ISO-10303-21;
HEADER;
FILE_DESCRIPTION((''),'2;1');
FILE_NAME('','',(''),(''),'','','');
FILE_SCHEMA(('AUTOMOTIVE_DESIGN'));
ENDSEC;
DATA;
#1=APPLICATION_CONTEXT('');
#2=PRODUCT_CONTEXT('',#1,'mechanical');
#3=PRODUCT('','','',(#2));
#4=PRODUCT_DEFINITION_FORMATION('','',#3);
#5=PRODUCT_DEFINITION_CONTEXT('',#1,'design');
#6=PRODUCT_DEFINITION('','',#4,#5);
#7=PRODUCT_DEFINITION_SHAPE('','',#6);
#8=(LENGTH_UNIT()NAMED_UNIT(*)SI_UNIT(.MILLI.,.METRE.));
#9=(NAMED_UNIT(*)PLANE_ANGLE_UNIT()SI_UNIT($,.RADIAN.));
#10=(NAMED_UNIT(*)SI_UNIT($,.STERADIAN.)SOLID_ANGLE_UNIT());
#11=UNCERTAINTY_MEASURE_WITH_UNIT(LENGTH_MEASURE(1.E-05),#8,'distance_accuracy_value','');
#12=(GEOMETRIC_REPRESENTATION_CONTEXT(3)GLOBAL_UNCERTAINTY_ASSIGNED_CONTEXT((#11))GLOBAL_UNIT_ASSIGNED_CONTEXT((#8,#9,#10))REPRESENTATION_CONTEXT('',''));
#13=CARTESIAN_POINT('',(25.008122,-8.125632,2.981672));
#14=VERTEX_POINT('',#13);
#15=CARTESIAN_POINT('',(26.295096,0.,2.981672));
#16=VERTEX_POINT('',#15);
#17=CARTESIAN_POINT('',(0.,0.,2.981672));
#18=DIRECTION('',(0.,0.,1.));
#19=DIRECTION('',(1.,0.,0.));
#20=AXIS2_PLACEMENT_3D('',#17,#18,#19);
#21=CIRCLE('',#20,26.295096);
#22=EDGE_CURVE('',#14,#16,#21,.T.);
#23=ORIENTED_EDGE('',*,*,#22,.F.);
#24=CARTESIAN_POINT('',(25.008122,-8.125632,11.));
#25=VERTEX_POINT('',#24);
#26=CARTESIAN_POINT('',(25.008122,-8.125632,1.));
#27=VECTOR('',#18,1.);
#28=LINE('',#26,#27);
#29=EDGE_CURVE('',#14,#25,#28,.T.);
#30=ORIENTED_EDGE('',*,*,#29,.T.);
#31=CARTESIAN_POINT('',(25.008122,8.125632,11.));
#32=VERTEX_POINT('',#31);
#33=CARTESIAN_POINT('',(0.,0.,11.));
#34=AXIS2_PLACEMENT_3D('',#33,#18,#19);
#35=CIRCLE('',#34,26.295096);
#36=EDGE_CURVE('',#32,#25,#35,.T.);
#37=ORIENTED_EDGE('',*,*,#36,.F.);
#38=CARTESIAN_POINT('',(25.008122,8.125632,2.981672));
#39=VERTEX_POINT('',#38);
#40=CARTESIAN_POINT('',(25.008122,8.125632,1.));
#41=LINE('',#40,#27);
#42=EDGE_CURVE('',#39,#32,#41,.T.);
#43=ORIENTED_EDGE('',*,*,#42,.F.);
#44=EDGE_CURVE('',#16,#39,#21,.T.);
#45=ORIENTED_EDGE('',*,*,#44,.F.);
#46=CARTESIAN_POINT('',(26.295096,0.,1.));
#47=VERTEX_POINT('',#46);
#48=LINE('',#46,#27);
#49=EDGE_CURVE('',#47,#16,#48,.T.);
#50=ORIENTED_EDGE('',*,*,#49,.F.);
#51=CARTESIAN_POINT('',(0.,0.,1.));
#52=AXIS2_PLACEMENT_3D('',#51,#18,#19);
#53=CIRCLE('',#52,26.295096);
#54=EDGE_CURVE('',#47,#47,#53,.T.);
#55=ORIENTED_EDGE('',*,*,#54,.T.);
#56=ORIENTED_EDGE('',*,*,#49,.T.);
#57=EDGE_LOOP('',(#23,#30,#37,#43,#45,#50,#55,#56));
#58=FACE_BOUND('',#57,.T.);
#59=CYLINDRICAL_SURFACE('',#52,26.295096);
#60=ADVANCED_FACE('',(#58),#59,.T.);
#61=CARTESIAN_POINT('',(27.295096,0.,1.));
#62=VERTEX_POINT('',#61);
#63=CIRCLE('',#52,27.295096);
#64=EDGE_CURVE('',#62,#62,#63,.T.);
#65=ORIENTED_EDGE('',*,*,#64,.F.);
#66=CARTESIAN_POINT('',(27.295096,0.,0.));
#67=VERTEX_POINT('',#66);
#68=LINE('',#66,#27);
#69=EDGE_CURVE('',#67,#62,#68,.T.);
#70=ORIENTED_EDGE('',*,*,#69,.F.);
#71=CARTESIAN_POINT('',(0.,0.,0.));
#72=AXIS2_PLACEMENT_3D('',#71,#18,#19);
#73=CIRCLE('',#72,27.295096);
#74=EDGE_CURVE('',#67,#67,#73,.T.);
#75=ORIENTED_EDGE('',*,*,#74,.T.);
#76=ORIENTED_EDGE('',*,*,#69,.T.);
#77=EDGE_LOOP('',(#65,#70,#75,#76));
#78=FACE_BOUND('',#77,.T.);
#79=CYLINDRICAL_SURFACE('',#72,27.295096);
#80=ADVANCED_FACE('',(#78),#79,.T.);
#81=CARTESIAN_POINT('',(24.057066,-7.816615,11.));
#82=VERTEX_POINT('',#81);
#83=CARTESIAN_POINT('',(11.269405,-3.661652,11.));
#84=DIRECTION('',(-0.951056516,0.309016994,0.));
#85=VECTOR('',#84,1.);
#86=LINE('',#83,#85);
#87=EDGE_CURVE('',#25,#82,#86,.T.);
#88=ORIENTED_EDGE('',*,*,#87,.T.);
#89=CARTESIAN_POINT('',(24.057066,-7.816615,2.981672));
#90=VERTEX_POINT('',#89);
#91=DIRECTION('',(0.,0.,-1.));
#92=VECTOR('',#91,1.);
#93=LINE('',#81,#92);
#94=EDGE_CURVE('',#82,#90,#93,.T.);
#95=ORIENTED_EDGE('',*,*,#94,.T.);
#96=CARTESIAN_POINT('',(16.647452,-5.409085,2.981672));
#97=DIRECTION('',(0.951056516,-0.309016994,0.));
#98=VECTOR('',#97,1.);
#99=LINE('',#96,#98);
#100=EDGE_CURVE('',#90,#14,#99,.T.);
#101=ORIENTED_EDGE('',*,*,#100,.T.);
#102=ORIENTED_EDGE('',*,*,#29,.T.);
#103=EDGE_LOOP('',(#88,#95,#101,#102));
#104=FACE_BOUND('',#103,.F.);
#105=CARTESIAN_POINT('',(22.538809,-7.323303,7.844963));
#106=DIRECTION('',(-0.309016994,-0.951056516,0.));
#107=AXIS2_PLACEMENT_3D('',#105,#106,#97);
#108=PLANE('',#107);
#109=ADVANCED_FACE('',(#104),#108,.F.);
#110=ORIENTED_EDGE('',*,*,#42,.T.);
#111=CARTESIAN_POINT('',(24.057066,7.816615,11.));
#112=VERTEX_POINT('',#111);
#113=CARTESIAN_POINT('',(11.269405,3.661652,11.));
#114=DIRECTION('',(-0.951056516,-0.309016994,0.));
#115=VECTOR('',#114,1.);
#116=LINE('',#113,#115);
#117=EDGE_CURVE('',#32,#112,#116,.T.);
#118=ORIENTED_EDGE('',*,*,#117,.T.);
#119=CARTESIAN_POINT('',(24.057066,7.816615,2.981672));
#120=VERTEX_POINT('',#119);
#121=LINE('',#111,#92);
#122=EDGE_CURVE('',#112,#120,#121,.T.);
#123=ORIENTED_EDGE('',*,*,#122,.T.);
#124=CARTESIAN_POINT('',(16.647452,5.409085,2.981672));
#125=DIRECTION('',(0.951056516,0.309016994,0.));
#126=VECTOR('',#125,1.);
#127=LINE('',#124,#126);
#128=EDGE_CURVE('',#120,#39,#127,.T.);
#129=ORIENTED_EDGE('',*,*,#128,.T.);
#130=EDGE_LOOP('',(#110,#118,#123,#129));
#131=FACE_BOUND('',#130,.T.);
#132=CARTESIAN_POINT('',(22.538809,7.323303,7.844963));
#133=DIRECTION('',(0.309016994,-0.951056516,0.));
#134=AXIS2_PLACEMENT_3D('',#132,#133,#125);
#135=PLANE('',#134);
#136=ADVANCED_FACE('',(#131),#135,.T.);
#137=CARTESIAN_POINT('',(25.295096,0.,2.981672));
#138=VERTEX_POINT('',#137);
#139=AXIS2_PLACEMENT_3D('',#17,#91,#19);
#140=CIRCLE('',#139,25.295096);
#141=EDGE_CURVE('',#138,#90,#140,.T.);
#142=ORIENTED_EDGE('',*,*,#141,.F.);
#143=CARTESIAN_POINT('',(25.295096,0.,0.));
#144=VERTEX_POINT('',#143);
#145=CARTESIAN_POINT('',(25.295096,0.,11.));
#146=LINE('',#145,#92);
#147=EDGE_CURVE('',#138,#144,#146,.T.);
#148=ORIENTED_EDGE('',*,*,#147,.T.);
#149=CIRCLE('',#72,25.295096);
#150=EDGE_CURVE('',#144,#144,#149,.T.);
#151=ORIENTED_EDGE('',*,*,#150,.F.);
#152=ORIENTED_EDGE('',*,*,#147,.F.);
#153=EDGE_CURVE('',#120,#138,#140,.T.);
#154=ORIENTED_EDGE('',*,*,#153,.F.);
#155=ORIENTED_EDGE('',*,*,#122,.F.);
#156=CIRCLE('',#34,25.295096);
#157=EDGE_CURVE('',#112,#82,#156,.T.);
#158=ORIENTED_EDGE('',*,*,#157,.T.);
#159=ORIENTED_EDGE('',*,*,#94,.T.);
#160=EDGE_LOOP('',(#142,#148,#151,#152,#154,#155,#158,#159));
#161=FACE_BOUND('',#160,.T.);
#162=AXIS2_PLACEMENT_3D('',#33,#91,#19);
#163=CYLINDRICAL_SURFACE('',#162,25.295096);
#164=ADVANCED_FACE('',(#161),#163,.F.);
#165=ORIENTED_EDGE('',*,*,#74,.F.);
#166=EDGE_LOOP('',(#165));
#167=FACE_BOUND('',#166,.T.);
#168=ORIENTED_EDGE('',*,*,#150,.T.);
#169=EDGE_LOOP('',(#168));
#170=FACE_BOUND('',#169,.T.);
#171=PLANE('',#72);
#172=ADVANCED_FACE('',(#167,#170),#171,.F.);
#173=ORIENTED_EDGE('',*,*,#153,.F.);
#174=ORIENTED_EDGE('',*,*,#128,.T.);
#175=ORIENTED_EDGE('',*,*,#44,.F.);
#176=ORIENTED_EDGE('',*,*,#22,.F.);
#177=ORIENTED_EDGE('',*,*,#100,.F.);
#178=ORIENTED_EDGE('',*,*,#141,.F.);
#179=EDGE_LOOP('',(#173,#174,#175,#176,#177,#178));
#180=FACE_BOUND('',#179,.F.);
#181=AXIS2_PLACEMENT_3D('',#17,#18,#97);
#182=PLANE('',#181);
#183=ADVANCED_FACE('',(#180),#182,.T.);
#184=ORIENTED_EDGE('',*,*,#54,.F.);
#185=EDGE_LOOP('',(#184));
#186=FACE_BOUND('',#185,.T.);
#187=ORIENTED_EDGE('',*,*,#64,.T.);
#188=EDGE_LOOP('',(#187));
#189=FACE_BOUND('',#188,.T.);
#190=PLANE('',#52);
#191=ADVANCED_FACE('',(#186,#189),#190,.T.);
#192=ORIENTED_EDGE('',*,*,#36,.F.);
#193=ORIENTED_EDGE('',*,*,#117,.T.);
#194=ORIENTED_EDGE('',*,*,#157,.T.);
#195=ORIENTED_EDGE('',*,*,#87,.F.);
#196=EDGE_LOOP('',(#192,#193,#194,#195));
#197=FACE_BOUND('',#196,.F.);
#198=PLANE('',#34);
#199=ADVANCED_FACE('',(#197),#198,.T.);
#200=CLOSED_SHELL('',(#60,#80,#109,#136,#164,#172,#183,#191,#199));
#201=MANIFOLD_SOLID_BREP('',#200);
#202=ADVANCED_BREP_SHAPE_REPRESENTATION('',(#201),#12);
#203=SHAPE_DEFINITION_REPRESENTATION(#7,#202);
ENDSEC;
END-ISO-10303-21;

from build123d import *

# Parameters (mm, degrees)
F0_W          = 1
F0_H          = 8.0183284022
F2_ANGLE_BACK = 18
F2_ANGLE      = 36


with BuildPart() as f1:
    # F0 (on Front) → F1 (revolve)
    with BuildSketch(Plane.XZ):
        Polygon((25.295096, 2.9816715978), (25.295096, 0), (27.295096, 0), (27.295096, 1), (26.295096, 1), (26.295096, 2.9816715978), align=None)
        with Locations((25.795096, 6.9908357989)):
            Rectangle(F0_W, F0_H)
    revolve(axis=Axis((0, 0, 8.8810138404), (0, 0, 1)))

    # F0 (on Front) → F2 (revolve, cut)
    with BuildSketch(Plane.XZ, mode=Mode.PRIVATE) as f2_sk:
        Polygon((17.5041668117, 2.9816715978), (25.295096, 2.9816715978), (25.295096, 11), (26.295096, 11), (26.295096, 2.9816715978), (28.2746478915, 2.9816715978), (28.2746478915, 12.9816715978), (17.5041668117, 12.9816715978), align=None)
        with Locations((25.795096, 6.9908357989)):
            Rectangle(F0_W, F0_H)
    revolve(f2_sk.sketch.rotate(Axis((0, 0, 8.8810138404), (0, 0, 1)), -F2_ANGLE_BACK), axis=Axis((0, 0, 8.8810138404), (0, 0, 1)), revolution_arc=F2_ANGLE, mode=Mode.SUBTRACT)


solid = f1.part
